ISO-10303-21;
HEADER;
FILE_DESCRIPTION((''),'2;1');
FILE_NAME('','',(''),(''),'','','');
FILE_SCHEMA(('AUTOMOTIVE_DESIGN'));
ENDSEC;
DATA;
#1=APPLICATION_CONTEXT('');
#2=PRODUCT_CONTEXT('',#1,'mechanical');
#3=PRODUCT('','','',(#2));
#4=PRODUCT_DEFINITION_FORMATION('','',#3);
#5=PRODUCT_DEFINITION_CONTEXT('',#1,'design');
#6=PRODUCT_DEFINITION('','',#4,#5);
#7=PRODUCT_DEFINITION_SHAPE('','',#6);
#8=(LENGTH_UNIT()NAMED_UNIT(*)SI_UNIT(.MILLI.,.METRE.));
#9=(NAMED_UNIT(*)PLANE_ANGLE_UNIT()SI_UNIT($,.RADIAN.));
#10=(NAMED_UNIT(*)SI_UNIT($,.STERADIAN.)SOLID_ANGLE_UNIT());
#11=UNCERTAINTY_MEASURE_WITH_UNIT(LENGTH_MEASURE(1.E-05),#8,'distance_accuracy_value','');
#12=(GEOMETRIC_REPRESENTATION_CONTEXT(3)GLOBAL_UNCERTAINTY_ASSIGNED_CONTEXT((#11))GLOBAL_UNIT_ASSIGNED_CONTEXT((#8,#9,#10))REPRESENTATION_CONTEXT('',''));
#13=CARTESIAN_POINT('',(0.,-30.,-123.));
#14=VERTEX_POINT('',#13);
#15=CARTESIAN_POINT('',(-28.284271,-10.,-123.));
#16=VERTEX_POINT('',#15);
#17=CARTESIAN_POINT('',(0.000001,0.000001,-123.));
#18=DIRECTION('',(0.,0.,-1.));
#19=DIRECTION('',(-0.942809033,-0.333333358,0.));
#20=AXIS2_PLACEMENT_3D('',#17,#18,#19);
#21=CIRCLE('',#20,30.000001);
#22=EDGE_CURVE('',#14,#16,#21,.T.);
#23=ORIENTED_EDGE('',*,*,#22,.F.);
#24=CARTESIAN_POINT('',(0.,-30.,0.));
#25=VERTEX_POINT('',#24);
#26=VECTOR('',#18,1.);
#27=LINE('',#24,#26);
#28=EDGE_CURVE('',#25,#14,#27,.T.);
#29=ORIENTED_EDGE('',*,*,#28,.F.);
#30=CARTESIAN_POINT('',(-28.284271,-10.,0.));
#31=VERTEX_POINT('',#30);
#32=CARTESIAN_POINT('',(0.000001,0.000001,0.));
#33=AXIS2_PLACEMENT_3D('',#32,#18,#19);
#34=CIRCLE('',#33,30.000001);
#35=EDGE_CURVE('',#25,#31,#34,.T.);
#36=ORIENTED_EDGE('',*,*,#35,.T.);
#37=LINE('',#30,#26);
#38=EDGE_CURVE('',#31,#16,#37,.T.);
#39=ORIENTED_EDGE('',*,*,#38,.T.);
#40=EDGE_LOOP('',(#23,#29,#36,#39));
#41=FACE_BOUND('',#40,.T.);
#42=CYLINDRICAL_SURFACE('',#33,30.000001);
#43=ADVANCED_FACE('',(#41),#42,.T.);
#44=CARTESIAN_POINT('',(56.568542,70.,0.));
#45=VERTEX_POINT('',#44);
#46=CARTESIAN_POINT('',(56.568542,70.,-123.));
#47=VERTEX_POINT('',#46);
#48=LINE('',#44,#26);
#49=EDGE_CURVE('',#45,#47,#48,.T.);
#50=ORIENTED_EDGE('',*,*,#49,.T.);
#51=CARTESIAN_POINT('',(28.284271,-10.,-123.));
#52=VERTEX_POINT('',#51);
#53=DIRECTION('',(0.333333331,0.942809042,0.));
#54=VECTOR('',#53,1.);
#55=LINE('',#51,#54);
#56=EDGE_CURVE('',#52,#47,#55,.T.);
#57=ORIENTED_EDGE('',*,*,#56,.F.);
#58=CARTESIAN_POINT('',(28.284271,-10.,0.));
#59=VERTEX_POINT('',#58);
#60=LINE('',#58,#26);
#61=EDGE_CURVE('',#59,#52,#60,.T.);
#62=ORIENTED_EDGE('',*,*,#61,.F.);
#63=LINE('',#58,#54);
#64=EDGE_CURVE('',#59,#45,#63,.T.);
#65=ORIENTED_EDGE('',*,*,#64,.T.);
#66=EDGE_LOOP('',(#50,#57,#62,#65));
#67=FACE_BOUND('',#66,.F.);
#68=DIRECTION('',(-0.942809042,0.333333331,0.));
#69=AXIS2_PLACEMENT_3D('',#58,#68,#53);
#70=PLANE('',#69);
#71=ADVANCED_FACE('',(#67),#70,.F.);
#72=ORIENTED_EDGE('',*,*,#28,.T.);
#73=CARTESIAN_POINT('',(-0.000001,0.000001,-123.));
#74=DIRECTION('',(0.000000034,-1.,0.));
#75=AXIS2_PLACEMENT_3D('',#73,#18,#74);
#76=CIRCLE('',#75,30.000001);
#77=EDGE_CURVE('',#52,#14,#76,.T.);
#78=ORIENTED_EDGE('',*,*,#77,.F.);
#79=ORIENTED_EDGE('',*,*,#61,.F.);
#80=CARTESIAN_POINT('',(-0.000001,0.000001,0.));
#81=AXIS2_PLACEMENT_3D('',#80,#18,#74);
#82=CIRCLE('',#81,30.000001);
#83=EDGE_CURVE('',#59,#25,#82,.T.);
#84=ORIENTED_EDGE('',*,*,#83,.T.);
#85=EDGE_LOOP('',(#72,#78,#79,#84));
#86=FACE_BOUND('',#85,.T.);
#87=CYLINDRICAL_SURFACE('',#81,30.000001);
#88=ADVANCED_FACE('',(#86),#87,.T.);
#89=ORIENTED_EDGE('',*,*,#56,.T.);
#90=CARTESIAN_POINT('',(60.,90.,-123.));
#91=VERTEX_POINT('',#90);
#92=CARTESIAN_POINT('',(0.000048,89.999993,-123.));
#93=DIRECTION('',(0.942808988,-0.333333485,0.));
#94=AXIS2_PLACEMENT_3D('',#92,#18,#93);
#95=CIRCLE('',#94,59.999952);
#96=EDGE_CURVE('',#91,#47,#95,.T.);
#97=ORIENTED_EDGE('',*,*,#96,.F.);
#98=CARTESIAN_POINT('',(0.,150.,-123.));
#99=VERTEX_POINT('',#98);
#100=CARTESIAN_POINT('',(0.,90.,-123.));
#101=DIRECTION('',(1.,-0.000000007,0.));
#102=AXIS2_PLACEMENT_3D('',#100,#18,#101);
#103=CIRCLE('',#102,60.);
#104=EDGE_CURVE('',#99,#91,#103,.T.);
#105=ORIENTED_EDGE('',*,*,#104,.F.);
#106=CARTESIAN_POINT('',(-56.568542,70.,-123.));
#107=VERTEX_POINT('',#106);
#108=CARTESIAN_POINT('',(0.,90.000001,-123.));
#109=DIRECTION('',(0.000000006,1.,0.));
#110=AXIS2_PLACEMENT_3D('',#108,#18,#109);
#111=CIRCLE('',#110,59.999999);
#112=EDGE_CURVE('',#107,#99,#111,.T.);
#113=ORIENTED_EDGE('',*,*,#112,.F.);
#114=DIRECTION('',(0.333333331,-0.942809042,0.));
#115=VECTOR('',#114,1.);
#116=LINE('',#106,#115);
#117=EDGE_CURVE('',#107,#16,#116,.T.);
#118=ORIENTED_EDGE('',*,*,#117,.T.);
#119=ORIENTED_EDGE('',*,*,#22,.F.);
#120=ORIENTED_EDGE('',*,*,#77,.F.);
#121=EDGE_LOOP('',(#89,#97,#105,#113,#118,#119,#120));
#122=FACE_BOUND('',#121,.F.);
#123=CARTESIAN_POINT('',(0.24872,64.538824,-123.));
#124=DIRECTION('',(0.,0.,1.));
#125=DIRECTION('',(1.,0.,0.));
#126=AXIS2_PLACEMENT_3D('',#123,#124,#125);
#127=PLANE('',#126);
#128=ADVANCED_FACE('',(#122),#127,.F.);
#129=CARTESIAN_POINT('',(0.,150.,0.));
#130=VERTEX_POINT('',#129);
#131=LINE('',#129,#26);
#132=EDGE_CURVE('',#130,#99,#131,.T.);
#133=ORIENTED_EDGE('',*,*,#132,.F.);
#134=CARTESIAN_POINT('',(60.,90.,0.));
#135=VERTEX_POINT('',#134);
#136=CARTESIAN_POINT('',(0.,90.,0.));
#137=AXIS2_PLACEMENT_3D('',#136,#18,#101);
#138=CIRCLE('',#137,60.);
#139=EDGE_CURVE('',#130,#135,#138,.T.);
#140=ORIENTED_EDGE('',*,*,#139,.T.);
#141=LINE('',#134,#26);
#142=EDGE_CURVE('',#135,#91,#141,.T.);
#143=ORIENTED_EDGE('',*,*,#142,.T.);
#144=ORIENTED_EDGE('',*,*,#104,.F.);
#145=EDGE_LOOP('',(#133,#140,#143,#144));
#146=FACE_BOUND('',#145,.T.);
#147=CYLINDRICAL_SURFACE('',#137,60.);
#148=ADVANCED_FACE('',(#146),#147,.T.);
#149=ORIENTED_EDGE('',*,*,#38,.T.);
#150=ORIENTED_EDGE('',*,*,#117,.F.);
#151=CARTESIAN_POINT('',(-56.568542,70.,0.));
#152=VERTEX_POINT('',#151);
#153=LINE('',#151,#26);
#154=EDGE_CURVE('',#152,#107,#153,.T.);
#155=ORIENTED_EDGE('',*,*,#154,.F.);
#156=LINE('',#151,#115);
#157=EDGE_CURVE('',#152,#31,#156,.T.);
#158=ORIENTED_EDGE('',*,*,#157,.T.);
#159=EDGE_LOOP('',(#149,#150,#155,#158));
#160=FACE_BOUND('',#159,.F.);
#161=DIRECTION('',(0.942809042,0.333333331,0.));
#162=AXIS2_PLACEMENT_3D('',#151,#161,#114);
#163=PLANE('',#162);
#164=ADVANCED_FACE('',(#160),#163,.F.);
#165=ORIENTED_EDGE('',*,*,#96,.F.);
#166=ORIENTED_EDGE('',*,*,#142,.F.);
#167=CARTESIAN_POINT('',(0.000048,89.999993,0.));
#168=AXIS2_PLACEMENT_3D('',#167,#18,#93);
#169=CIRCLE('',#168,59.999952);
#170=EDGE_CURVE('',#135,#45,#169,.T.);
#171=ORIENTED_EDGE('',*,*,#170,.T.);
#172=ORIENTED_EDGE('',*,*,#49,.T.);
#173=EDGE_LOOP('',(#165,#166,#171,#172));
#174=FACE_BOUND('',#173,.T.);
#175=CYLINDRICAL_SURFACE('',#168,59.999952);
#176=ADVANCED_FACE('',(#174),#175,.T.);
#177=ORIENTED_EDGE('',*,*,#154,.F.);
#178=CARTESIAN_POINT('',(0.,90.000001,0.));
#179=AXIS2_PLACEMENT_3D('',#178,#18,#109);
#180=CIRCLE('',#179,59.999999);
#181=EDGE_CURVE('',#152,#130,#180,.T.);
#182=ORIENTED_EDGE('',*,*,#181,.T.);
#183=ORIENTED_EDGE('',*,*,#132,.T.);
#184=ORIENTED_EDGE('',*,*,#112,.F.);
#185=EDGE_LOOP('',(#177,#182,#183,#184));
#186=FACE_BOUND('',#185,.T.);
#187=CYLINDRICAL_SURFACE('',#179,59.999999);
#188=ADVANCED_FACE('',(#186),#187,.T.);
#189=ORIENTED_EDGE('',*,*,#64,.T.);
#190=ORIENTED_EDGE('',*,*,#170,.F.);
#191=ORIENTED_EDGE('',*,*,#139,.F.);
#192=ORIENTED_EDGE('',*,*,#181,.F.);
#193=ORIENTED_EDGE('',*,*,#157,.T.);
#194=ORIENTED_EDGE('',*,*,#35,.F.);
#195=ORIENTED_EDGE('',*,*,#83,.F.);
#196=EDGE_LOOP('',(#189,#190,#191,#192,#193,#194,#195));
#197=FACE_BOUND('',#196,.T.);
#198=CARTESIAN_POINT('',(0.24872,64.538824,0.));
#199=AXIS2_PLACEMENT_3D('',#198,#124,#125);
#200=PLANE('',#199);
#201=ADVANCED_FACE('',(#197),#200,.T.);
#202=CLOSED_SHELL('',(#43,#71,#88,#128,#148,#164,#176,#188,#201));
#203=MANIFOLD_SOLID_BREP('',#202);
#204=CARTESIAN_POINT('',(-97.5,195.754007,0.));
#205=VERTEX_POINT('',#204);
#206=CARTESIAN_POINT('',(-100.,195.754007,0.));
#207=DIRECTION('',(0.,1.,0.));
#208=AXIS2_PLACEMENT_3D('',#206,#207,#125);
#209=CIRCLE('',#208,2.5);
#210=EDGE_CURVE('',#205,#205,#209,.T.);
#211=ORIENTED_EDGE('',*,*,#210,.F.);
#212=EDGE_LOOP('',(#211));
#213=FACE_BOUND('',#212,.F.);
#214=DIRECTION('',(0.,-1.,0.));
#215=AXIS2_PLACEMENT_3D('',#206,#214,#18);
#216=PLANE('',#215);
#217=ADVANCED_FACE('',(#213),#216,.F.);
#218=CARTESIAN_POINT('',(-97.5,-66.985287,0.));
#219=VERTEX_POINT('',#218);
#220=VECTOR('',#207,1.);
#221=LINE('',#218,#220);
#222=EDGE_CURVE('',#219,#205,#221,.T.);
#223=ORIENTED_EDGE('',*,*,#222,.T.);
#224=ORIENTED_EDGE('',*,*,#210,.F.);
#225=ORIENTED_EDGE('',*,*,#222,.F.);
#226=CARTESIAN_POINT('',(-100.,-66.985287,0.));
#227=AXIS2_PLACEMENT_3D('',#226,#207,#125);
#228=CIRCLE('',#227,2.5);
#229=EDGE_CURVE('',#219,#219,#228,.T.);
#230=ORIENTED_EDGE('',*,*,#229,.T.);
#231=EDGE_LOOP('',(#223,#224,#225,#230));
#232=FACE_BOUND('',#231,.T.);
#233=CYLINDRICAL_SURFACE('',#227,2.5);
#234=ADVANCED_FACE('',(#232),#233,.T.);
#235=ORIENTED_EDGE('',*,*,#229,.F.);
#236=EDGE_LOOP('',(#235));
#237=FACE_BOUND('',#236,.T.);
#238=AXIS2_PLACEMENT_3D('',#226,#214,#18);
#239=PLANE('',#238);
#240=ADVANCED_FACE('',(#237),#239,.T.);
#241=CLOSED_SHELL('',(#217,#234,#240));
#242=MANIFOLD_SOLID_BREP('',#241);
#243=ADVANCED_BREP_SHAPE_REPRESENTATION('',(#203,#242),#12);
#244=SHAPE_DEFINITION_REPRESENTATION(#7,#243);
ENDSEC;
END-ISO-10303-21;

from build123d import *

# Parameters (mm, degrees)
F0_R   = 15
F0_R_2 = 45
F4_R   = 2.5


with BuildPart() as f2:
    # F2: sweep along a path in F1
    with BuildLine(Plane.YZ) as f2_path:
        Line((0, 0), (0, -123))
    # F0 (on Top) → F2 (sweep)
    with BuildSketch(Plane.XY):
        with BuildLine():
            ThreePointArc((0, 30), (-24.494897, 17.320508), (-28.284271, -10))
            ThreePointArc((-28.284271, -10), (-17.320508, -24.494897), (0, -30))
            ThreePointArc((0, -30), (17.320508, -24.494897), (28.284271, -10))
            ThreePointArc((28.284271, -10), (29.567957, -5.073059), (30, 0))
            ThreePointArc((30, 0), (21.213203, 21.213203), (0, 30))
        make_face()
        Circle(F0_R, mode=Mode.SUBTRACT)
        with BuildLine():
            ThreePointArc((0, 150), (-48.989795, 124.641016), (-56.568542, 70))
            ThreePointArc((-56.568542, 70), (-34.641016, 41.010205), (0, 30))
            ThreePointArc((0, 30), (34.641016, 41.010205), (56.568542, 70))
            ThreePointArc((56.568542, 70), (59.135914, 79.853881), (60, 90))
            ThreePointArc((60, 90), (42.426407, 132.426407), (0, 150))
        make_face()
        with Locations((0, 90)):
            Circle(F0_R_2, mode=Mode.SUBTRACT)
        with BuildLine():
            ThreePointArc((56.568542, 70), (34.641016, 41.010205), (0, 30))
            ThreePointArc((0, 30), (21.213203, 21.213203), (30, 0))
            ThreePointArc((30, 0), (29.567957, -5.073059), (28.284271, -10))
            Line((28.284271, -10), (56.568542, 70))
        make_face()
        with BuildLine():
            Line((-56.568542, 70), (-28.284271, -10))
            ThreePointArc((-28.284271, -10), (-24.494897, 17.320508), (0, 30))
            ThreePointArc((0, 30), (-34.641016, 41.010205), (-56.568542, 70))
        make_face()
        with Locations((0, 90)):
            Circle(F0_R_2)
        Circle(F0_R)
    sweep(path=f2_path.line)


with BuildPart() as f5:
    # F5: sweep along a path in F0
    with BuildLine(Plane.XY) as f5_path:
        Line((-100, -66.985287), (-100, 195.754007))
    # F4 (on offset) → F5 (sweep)
    with BuildSketch(Plane.XZ.offset(66.985)):
        with Locations((-100, 0)):
            Circle(F4_R)
    sweep(path=f5_path.line)


solid = Compound([f2.part, f5.part])
